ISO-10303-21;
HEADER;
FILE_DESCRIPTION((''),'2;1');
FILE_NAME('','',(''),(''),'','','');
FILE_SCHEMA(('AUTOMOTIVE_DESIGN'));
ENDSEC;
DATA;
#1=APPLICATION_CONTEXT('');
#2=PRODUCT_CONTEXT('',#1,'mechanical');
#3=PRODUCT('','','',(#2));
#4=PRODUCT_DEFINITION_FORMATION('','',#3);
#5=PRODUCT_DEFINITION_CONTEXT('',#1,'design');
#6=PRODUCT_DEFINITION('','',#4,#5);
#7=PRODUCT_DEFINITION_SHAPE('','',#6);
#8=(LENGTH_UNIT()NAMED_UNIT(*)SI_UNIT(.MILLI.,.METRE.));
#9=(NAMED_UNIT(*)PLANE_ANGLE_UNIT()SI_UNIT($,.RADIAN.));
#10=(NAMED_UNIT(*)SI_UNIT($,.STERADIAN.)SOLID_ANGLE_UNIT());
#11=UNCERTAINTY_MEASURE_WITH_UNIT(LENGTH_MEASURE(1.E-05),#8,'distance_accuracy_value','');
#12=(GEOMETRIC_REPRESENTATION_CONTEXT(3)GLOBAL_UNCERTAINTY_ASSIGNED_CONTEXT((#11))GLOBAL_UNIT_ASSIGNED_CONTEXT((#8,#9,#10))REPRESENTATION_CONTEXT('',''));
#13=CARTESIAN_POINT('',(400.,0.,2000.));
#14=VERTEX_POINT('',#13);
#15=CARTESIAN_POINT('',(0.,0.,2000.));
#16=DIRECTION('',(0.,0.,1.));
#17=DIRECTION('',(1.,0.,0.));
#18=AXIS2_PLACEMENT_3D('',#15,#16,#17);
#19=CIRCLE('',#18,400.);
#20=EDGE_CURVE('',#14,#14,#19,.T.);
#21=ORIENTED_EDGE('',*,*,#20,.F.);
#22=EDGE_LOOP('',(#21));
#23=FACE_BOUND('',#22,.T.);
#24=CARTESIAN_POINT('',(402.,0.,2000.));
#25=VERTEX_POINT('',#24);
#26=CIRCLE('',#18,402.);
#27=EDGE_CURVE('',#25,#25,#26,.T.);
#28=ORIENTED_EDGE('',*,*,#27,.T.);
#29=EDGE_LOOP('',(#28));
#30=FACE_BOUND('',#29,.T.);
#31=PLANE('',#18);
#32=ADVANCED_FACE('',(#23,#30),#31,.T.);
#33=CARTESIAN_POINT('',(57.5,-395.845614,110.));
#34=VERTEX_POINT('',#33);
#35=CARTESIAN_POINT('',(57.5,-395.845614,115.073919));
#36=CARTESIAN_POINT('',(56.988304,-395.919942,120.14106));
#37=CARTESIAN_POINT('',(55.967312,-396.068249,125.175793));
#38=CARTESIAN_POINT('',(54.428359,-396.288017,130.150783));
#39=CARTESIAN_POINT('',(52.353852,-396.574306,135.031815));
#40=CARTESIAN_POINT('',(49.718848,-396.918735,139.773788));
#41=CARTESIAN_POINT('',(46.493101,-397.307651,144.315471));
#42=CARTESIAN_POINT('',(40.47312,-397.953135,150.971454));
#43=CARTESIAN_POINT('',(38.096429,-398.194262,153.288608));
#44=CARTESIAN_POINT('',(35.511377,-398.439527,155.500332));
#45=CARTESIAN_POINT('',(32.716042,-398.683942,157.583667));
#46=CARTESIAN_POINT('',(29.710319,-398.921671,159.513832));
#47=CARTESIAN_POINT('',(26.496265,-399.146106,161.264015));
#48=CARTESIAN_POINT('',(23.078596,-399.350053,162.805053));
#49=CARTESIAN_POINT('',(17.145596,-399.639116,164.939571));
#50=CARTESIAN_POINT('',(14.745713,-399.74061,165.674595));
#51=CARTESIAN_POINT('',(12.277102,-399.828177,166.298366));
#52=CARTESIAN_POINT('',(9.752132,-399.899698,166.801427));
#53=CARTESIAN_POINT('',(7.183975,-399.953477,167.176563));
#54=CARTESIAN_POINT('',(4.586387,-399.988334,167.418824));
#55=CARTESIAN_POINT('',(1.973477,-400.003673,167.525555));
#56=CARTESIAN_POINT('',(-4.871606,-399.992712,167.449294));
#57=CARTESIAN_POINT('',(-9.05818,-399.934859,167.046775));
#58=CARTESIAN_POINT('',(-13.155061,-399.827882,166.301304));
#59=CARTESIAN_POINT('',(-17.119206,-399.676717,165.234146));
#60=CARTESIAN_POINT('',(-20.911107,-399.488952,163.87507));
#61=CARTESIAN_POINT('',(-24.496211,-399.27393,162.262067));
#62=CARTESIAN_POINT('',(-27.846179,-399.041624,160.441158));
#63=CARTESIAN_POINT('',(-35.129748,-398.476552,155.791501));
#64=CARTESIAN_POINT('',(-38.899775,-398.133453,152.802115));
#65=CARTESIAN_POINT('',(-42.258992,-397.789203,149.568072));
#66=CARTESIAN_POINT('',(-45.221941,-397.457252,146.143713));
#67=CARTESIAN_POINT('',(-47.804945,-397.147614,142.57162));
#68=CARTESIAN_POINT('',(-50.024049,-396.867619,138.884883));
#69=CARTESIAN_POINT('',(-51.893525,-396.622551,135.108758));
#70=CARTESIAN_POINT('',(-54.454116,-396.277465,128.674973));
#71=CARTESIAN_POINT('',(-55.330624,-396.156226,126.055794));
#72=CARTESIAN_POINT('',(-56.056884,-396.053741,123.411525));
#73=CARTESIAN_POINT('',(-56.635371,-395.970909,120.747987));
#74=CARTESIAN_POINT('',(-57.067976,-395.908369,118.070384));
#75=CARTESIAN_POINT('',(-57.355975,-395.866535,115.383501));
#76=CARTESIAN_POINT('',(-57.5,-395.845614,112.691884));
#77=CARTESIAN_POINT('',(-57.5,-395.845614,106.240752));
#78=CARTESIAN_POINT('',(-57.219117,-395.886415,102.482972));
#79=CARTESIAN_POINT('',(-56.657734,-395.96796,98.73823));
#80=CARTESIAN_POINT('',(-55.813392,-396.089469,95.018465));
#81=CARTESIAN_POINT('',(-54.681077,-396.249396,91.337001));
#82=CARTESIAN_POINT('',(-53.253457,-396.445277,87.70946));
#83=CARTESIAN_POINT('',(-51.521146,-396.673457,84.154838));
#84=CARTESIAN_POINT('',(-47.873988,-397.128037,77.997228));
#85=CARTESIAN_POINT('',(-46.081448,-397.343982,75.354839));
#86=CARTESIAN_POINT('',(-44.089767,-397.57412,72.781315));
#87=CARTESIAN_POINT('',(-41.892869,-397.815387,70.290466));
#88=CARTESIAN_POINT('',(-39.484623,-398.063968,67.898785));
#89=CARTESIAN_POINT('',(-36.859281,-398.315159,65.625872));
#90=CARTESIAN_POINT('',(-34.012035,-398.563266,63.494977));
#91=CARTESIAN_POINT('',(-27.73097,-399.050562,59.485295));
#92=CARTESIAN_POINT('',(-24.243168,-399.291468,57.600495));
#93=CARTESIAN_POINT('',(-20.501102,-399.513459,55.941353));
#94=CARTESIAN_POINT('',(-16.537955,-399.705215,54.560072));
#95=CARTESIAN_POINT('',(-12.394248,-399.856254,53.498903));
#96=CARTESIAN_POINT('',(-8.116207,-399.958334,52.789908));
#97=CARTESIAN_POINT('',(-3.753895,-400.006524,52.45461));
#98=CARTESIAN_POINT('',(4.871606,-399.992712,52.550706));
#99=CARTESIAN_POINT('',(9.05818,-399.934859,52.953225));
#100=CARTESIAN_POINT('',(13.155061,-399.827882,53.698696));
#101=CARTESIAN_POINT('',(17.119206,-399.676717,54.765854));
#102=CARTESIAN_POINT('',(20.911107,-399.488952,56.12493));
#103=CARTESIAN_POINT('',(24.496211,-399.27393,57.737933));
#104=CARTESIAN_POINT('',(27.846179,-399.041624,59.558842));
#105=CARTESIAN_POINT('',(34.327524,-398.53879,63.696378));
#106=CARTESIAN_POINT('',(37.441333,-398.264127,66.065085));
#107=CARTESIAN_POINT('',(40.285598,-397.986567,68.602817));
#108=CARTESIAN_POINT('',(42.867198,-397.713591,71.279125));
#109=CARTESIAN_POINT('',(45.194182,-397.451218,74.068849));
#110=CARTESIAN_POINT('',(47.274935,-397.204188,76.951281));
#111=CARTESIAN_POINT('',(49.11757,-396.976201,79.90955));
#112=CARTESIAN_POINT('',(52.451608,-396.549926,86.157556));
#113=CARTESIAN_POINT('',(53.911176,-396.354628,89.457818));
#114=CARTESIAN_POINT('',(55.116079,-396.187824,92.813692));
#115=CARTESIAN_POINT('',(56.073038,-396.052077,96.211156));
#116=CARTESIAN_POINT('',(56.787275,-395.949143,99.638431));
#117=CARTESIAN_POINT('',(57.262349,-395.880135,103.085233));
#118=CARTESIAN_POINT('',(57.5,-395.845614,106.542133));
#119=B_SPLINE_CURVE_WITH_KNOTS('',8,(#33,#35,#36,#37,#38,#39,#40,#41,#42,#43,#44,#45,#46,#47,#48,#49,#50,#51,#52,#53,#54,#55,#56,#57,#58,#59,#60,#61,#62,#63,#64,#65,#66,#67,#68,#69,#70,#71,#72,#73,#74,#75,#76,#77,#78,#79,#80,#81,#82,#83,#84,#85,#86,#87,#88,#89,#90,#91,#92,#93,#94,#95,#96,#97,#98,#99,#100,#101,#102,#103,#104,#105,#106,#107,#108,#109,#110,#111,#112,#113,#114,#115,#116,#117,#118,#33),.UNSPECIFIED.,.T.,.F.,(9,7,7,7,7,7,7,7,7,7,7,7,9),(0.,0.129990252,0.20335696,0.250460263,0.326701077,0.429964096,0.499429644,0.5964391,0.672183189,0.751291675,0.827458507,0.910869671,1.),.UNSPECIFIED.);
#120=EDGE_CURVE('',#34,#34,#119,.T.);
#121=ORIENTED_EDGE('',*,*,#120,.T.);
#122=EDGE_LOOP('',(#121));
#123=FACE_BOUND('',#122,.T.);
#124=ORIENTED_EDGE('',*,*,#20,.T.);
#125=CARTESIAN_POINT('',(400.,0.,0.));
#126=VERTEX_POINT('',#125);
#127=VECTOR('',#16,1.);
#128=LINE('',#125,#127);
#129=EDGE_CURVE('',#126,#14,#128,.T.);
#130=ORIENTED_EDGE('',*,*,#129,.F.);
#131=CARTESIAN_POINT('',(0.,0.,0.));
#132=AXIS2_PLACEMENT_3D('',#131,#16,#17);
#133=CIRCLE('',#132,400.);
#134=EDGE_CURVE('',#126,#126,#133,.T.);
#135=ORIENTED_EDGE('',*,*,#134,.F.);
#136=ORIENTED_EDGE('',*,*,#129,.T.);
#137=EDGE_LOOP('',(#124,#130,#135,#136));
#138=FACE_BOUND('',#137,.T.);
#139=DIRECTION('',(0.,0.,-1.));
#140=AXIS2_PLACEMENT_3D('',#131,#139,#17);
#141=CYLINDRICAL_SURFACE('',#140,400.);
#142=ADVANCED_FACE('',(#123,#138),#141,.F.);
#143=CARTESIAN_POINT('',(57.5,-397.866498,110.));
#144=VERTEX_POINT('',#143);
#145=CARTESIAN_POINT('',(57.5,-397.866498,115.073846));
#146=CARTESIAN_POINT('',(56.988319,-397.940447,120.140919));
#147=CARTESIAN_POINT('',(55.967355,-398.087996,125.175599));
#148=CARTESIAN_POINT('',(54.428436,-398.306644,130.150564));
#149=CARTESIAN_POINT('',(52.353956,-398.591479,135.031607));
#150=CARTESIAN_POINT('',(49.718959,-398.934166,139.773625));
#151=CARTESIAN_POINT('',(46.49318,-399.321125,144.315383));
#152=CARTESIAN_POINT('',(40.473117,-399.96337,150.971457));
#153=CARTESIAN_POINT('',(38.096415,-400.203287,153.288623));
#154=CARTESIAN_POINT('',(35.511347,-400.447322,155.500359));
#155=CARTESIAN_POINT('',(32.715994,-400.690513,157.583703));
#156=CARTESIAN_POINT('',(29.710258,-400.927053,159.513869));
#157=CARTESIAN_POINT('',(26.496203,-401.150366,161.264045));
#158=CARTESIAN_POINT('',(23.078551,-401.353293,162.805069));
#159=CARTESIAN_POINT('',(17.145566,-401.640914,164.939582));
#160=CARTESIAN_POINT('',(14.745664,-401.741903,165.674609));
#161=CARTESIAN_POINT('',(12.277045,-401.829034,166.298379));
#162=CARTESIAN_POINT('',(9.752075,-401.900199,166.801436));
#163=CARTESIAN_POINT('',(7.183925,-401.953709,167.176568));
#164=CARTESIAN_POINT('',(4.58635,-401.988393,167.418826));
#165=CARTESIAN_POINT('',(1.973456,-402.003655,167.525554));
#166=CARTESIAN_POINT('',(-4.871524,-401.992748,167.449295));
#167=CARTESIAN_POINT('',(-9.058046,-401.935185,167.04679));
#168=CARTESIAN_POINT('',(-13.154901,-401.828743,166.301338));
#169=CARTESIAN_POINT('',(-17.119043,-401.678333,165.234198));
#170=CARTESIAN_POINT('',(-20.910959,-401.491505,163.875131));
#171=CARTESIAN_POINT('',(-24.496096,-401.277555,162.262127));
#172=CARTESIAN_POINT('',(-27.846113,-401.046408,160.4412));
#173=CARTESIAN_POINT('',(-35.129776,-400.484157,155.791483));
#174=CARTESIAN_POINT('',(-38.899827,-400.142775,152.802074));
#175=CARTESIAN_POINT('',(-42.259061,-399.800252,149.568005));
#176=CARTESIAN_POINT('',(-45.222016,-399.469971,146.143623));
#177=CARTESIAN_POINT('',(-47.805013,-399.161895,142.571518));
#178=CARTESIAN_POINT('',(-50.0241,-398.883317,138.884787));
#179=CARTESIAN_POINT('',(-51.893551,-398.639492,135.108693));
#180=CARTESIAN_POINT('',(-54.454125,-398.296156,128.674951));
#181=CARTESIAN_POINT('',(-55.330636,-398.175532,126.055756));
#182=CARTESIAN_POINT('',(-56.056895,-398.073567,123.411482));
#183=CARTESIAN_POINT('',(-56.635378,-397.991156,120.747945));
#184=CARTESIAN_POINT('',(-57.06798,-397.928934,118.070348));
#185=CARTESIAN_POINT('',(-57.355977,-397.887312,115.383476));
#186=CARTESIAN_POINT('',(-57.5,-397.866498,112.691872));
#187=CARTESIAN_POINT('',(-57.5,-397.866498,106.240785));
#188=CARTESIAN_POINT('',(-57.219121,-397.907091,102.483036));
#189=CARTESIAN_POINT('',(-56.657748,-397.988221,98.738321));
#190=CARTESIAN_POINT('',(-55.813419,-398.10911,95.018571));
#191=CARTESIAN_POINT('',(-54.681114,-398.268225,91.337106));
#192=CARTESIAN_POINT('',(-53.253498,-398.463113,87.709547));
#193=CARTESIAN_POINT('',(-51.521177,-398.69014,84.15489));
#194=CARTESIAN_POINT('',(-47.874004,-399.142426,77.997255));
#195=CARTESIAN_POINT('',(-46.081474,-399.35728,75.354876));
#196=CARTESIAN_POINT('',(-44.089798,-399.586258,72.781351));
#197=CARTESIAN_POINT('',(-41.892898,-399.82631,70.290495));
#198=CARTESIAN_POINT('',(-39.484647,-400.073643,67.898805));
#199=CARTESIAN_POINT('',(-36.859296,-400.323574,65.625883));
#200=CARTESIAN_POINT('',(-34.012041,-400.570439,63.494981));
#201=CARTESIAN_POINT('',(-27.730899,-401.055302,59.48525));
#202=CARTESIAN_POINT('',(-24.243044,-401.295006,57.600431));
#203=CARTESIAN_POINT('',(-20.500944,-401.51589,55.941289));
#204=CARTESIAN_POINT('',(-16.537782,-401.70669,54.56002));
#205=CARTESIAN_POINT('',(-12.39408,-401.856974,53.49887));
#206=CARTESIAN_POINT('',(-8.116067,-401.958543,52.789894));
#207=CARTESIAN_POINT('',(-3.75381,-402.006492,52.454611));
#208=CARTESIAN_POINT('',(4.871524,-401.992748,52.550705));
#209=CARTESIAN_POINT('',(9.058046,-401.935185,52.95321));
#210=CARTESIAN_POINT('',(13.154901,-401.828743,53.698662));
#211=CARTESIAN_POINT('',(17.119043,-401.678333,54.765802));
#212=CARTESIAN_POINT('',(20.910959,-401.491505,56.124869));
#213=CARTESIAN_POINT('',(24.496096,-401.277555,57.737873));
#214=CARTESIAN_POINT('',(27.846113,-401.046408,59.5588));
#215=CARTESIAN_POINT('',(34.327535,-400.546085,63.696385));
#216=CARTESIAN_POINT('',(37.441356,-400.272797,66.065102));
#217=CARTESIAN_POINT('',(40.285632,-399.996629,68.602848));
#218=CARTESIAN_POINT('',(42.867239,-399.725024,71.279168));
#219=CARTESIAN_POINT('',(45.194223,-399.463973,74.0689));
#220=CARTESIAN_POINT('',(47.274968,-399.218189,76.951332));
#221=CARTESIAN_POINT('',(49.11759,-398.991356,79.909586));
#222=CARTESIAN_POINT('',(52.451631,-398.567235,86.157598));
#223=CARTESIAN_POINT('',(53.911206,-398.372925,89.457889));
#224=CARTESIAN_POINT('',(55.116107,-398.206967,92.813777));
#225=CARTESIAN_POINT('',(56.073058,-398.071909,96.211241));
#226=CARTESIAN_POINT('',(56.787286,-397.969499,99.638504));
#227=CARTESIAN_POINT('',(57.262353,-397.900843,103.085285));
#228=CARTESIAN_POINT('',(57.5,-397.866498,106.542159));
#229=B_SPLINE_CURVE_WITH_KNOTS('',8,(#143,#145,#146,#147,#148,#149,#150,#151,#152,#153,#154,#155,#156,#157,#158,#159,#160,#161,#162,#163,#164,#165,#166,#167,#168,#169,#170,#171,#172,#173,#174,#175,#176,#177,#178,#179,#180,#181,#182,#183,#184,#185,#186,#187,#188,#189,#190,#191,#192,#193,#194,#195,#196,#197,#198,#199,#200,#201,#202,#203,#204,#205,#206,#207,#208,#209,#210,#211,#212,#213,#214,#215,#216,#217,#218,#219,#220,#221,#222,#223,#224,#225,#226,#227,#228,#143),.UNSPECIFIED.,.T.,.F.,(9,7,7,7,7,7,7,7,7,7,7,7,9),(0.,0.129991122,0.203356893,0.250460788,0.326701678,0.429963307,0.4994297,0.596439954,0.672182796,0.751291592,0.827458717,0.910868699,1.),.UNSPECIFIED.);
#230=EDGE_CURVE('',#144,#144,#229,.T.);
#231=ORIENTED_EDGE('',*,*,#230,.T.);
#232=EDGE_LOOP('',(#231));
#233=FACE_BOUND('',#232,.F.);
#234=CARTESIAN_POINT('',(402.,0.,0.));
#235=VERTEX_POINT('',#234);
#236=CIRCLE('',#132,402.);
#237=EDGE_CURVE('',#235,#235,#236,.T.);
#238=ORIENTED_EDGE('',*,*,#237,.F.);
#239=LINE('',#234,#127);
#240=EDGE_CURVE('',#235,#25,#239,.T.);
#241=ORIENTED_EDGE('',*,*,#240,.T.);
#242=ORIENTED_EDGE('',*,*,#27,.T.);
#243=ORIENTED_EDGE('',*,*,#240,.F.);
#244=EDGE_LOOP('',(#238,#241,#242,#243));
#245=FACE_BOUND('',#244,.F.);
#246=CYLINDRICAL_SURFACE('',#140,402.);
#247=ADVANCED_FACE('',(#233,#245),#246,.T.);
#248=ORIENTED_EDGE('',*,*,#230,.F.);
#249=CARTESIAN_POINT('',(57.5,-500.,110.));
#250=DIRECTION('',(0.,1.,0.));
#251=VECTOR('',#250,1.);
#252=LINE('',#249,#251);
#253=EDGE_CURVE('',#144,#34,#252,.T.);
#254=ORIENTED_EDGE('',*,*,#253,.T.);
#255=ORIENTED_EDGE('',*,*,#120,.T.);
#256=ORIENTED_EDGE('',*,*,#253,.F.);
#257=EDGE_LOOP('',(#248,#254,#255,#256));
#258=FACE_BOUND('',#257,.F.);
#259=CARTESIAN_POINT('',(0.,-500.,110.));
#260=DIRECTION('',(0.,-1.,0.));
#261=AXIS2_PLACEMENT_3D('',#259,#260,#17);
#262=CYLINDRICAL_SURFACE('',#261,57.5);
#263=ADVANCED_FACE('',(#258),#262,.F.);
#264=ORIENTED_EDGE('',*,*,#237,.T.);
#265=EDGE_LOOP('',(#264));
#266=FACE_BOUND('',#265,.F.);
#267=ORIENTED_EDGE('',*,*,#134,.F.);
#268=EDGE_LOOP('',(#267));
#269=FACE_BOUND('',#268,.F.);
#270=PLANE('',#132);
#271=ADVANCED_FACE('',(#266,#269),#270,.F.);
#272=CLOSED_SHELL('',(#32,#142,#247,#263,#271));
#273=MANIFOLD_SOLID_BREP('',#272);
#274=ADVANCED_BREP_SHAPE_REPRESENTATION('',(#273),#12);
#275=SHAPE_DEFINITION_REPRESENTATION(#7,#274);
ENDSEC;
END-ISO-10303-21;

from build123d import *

# Parameters (mm, degrees)
F0_R      = 402
F0_R_2    = 400
F1_DEPTH  = 2000
F2_R      = 57.5
F3_DEPTH  = 500
F3_FACE_R = 57.5
F4_DEPTH  = 500


with BuildPart() as f1:
    # F0 (on Top) → F1 (new body)
    with BuildSketch(Plane.XY):
        Circle(F0_R)
        Circle(F0_R_2, mode=Mode.SUBTRACT)
    extrude(amount=F1_DEPTH)

    # F2 (on Front) → F3 (join)
    with BuildSketch(Plane.XZ):
        with Locations((0, 110)):
            Circle(F2_R)
    extrude(amount=F3_DEPTH)

    # F3_face (on face) → F4 (cut, through all)
    with BuildSketch(Plane(origin=(0, -500, 110), x_dir=(1, 0, 0), z_dir=(0, -1, 0))):
        Circle(F3_FACE_R)
    extrude(amount=-F4_DEPTH, mode=Mode.SUBTRACT)


solid = f1.part
